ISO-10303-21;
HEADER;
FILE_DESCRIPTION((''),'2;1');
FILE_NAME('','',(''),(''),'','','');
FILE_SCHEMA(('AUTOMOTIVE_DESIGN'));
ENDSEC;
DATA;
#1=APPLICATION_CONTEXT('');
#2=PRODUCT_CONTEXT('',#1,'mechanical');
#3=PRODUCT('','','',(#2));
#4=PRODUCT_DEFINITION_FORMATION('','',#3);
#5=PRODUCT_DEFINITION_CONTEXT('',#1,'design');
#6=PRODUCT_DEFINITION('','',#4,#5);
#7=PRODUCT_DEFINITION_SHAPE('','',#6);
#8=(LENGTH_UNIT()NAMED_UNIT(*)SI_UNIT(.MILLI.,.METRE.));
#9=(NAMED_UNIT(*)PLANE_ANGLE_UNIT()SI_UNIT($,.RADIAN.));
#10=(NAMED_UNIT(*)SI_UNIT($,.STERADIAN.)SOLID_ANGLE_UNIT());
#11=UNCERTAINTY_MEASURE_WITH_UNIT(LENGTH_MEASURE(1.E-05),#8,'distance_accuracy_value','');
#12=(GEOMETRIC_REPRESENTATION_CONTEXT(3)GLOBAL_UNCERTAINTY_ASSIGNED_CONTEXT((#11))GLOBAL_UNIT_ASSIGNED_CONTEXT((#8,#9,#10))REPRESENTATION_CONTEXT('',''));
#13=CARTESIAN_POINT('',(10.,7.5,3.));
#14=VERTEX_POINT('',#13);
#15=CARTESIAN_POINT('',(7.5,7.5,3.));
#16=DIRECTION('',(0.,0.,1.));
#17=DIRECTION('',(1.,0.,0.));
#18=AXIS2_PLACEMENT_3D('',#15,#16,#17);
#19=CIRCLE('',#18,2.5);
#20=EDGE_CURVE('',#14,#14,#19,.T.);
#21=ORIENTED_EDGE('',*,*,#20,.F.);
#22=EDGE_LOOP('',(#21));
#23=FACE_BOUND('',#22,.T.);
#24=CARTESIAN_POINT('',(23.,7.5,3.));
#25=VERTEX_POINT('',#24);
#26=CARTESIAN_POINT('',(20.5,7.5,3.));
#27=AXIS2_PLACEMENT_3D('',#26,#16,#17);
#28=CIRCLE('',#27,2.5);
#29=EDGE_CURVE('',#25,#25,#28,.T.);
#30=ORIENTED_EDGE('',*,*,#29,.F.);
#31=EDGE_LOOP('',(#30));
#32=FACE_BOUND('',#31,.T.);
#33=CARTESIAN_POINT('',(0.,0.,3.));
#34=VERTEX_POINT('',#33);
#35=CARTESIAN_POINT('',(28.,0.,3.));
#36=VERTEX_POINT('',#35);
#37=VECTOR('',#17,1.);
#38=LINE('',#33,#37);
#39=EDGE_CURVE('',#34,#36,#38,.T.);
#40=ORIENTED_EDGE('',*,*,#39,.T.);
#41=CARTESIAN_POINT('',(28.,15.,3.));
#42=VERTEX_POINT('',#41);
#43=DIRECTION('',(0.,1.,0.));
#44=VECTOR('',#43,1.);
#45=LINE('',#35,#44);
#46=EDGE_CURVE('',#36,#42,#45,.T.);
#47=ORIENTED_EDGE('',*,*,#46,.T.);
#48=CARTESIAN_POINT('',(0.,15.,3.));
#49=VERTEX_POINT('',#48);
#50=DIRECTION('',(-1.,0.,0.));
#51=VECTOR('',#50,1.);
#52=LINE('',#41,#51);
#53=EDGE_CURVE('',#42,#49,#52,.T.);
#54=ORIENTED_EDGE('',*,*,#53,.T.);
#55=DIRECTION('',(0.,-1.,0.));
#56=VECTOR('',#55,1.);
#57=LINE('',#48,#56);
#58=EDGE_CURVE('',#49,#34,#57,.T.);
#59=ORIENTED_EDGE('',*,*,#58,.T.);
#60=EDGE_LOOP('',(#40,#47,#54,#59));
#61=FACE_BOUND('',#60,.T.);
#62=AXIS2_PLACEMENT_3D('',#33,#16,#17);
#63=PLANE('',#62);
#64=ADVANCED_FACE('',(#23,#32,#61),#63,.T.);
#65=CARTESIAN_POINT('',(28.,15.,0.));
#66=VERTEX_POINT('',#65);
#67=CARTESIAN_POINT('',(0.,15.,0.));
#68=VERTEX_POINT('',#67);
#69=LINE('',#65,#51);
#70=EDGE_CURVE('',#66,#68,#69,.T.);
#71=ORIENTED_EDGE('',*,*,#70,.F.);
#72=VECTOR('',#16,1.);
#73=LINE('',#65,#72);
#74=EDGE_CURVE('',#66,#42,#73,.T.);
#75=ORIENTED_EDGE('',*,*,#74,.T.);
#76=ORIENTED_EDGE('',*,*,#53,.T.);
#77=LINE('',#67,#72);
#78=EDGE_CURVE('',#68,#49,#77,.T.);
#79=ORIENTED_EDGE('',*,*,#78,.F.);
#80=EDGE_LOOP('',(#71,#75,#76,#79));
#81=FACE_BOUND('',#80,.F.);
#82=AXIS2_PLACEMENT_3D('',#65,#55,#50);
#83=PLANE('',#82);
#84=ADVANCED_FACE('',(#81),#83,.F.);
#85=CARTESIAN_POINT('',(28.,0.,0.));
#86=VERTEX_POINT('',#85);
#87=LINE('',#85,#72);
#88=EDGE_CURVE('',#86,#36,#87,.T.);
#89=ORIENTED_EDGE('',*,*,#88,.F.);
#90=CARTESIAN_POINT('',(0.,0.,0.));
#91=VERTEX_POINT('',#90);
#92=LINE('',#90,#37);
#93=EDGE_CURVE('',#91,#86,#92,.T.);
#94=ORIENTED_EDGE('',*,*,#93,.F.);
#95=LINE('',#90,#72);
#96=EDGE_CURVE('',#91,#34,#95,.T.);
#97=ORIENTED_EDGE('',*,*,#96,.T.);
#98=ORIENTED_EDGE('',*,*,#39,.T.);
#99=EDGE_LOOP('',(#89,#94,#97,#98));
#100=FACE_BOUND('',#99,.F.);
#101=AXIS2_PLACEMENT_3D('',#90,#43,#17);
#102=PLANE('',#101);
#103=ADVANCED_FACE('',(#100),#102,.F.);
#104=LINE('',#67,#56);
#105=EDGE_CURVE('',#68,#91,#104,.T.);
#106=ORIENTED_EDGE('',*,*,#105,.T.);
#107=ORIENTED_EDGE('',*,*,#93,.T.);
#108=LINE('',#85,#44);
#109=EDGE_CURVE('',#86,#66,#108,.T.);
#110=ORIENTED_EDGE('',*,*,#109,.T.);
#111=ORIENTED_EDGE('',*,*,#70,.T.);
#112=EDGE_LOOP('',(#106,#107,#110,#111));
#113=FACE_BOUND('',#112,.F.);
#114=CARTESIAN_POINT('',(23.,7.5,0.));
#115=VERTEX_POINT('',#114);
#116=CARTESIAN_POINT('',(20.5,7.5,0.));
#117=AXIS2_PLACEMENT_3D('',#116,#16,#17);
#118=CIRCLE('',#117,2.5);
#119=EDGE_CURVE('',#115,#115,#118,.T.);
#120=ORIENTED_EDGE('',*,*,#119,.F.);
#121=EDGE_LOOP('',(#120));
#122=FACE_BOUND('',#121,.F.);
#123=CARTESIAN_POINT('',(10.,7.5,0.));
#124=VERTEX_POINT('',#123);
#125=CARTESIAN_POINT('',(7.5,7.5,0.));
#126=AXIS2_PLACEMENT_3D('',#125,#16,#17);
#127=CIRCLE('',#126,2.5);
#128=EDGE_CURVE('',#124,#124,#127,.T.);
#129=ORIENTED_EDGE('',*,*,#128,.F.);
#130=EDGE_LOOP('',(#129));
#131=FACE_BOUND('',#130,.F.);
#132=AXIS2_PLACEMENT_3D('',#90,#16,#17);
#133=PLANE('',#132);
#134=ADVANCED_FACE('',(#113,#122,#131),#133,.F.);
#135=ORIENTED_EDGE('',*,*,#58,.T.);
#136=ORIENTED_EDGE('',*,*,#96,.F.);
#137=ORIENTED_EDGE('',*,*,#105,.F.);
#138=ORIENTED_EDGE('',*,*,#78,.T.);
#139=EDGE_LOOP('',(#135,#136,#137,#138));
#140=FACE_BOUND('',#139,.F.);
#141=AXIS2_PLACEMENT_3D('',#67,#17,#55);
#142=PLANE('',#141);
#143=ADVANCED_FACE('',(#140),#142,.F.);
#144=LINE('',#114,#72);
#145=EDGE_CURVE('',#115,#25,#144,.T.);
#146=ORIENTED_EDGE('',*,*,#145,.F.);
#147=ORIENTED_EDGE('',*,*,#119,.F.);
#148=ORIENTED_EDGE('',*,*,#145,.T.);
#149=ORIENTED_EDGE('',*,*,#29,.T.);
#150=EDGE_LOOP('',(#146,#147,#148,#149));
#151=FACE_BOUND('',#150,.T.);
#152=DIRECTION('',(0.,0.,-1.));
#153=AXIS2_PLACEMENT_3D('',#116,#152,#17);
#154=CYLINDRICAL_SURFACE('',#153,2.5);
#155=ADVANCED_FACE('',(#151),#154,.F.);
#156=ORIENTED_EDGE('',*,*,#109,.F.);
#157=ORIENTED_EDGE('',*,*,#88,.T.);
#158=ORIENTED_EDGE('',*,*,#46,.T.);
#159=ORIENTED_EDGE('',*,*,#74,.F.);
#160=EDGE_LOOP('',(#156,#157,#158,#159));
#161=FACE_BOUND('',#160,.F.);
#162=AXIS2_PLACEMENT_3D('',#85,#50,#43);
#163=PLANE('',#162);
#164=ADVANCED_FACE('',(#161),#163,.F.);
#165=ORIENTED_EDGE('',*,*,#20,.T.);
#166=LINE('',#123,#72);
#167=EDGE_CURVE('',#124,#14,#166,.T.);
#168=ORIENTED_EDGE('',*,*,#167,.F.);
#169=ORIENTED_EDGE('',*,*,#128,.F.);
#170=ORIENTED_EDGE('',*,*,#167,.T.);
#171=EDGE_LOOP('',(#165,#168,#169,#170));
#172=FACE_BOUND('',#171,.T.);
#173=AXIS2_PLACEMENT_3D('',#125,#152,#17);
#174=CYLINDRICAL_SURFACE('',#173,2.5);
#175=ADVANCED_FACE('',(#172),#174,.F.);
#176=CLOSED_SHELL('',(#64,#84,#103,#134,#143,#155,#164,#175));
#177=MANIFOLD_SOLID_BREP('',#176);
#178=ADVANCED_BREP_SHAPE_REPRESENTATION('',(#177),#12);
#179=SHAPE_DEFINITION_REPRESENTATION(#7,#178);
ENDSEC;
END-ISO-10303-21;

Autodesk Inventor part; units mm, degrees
ref_plane "YZ Plane" through (0, 0, 0) normal (1, 0, 0) x (0, 1, 0)
ref_plane "XZ Plane" through (0, 0, 0) normal (0, 1, 0) x (-1, 0, 0)
ref_plane "XY Plane" through (0, 0, 0) normal (0, 0, 1) x (1, 0, 0)
sketch "Esquisse1" plane through (0, 0, 0) normal (0, 0, 1) x (1, 0, 0)
  line L0 (0, 0) -> (28, 0)
  line L1 (28, 0) -> (28, 15)
  line L2 (28, 15) -> (0, 15)
  line L3 (0, 15) -> (0, 0)
  circle A0 centre (7.5, 7.5) radius 2.5
  circle A1 centre (20.5, 7.5) radius 2.5
  dimension "d0" = 28
  dimension "d1" = 15
  dimension "d3" = 5
  dimension "d4" = 5
  dimension "d5" = 7.5
  dimension "d6" = 7.5
  dimension "d7" = 7.5
  dimension "d8" = 7.5
extrude "Extrusion1" add sketch "Esquisse1" along normal blind 3
properties part number "attache"
